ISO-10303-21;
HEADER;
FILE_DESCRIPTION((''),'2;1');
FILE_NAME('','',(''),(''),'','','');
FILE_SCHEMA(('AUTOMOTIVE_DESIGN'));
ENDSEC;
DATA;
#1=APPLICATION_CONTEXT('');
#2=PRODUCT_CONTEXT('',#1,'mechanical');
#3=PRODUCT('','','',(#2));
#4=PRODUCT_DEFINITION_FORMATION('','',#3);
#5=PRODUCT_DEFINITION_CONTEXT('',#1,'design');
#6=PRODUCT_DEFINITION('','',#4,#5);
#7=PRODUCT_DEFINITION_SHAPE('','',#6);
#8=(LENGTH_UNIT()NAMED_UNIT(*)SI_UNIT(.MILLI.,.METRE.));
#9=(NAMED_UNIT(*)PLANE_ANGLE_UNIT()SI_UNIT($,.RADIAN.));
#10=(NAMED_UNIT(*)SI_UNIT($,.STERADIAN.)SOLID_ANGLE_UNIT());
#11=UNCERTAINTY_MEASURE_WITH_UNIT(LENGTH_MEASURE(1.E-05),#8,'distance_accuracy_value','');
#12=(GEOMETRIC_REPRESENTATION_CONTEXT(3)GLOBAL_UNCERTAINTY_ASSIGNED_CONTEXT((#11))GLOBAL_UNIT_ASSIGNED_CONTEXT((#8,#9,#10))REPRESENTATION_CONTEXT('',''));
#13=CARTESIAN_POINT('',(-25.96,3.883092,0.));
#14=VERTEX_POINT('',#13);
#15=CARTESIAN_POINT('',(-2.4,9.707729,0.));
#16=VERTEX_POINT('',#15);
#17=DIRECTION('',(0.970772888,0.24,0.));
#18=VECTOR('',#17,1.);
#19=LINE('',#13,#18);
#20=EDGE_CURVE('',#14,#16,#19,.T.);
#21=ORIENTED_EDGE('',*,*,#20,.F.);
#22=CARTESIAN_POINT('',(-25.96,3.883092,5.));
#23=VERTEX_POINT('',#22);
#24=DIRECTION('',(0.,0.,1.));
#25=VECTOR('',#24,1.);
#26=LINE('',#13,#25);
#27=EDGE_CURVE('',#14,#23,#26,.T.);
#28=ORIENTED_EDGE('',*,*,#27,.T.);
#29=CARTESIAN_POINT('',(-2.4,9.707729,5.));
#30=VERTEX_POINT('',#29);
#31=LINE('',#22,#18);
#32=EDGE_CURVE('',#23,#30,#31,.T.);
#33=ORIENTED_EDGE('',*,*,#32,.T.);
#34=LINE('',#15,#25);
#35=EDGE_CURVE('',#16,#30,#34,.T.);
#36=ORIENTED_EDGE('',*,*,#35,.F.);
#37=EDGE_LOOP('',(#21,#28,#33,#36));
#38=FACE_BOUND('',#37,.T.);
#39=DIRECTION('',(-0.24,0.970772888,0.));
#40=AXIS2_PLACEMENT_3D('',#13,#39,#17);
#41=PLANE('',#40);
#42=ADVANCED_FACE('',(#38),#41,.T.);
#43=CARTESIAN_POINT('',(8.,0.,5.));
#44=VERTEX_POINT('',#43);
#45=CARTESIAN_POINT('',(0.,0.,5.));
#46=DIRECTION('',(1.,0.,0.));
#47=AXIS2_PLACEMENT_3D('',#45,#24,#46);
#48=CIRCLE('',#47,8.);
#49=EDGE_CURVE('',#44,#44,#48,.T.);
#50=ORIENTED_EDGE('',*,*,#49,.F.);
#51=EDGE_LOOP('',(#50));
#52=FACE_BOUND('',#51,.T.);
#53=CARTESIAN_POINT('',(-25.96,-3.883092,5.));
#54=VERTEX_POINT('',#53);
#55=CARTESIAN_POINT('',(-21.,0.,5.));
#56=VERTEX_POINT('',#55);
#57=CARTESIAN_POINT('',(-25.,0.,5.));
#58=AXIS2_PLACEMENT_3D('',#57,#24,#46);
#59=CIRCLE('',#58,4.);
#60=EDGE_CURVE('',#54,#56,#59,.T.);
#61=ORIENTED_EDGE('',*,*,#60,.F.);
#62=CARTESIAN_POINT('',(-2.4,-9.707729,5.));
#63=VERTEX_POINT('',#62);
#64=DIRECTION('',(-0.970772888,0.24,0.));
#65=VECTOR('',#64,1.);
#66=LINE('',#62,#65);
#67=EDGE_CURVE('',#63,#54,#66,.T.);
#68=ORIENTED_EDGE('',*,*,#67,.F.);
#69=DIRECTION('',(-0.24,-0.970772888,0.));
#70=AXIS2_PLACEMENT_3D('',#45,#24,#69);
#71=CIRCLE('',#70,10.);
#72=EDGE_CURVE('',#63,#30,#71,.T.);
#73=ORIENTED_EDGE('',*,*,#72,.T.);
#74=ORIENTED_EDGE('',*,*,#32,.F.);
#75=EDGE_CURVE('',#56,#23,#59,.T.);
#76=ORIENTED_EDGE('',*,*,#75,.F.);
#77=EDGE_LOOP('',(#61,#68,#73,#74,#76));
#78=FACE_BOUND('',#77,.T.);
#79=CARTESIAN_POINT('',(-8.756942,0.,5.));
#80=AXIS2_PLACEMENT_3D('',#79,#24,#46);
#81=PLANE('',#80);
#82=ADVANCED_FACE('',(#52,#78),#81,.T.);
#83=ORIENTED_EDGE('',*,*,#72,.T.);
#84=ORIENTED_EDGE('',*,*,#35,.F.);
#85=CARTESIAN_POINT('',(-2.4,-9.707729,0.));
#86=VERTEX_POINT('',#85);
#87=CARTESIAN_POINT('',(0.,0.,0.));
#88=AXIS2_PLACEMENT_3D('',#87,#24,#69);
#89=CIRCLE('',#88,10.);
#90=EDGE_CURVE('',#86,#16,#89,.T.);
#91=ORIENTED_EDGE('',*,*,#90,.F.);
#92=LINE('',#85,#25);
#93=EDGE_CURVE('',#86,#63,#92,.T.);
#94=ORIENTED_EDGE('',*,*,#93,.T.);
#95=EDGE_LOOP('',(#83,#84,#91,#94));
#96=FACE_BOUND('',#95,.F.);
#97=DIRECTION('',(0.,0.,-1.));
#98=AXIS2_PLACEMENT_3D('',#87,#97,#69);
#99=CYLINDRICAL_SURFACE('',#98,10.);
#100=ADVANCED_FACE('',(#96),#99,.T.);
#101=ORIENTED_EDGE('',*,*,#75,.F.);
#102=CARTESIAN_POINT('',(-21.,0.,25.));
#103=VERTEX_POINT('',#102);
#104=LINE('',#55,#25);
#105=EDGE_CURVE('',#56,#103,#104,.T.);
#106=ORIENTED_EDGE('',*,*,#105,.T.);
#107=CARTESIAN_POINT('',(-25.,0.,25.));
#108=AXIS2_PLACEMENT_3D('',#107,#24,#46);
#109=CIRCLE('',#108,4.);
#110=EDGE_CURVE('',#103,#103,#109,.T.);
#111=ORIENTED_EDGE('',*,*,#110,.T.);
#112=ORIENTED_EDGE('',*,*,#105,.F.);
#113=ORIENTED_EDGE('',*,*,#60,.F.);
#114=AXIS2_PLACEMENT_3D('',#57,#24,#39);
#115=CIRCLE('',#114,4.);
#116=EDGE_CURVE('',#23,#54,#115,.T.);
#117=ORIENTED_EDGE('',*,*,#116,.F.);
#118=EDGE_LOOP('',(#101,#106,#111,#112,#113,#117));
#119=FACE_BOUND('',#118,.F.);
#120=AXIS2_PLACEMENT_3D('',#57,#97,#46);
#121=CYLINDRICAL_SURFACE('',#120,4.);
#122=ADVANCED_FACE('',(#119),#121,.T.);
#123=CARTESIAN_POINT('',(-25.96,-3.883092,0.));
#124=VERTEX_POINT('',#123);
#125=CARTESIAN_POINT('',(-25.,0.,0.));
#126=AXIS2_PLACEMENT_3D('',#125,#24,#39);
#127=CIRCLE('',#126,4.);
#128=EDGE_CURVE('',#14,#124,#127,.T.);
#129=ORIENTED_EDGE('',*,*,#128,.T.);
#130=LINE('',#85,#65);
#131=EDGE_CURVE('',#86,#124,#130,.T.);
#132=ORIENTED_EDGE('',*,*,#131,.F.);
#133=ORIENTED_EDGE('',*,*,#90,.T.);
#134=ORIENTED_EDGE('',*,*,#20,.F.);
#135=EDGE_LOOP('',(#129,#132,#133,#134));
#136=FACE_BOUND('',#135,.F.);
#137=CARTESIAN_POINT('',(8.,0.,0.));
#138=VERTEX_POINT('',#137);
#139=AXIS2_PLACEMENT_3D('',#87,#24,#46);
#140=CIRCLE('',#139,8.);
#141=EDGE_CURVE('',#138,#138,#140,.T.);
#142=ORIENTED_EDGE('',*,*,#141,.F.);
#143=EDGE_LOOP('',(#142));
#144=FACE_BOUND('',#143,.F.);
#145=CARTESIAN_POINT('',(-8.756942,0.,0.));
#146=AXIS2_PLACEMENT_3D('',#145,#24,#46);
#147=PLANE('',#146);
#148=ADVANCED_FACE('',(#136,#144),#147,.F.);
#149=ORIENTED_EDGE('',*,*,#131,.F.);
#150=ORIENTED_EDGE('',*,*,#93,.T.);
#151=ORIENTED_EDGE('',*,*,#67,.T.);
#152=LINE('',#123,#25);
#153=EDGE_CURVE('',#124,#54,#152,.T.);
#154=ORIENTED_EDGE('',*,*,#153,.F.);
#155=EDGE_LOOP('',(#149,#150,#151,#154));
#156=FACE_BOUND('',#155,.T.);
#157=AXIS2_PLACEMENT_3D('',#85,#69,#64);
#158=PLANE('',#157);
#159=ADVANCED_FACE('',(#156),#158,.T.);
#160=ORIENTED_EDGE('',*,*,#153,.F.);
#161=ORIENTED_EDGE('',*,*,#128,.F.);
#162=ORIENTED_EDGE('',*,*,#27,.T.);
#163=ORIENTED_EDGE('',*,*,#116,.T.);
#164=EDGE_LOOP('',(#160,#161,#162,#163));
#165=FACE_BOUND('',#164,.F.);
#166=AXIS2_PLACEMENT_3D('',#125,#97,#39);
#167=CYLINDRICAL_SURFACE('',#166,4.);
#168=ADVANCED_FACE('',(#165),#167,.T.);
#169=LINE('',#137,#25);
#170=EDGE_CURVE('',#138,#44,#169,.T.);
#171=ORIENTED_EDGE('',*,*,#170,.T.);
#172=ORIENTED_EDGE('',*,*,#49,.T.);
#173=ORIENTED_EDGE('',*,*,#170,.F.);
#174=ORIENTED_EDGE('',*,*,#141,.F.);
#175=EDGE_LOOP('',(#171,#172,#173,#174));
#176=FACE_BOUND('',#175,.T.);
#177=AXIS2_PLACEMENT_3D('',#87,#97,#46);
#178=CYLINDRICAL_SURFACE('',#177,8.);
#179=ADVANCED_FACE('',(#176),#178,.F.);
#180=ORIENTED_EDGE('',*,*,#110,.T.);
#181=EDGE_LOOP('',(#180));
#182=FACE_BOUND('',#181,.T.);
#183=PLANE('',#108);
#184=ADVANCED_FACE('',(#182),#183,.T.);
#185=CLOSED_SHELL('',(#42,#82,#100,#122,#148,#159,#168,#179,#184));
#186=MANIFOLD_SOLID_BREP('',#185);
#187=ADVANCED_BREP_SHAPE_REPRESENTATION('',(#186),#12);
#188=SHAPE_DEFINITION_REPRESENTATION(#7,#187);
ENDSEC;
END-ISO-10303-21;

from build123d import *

# Parameters (mm, degrees)
SKETCH_R     = 8
PAD_DEPTH    = 5
SKETCH001_R  = 4
PAD001_DEPTH = 20


with BuildPart() as part:
    # Sketch → Pad (new body)
    with BuildSketch(Plane.XY):
        with BuildLine():
            ThreePointArc((-2.4, -9.7077288796), (10, 0), (-2.4, 9.7077288796))
            Line((-25.96, 3.8830915518), (-2.4, 9.7077288796))
            ThreePointArc((-25.96, 3.8830915518), (-29, 0), (-25.96, -3.8830915518))
            Line((-2.4, -9.7077288796), (-25.96, -3.8830915518))
        make_face()
        Circle(SKETCH_R, mode=Mode.SUBTRACT)
    extrude(amount=PAD_DEPTH)

    # Sketch001 (on Face7 of Pad) → Pad001 (join)
    with BuildSketch(Plane.XY.offset(5)):
        with Locations((-25, 0)):
            Circle(SKETCH001_R)
    extrude(amount=PAD001_DEPTH)


solid = part.part
